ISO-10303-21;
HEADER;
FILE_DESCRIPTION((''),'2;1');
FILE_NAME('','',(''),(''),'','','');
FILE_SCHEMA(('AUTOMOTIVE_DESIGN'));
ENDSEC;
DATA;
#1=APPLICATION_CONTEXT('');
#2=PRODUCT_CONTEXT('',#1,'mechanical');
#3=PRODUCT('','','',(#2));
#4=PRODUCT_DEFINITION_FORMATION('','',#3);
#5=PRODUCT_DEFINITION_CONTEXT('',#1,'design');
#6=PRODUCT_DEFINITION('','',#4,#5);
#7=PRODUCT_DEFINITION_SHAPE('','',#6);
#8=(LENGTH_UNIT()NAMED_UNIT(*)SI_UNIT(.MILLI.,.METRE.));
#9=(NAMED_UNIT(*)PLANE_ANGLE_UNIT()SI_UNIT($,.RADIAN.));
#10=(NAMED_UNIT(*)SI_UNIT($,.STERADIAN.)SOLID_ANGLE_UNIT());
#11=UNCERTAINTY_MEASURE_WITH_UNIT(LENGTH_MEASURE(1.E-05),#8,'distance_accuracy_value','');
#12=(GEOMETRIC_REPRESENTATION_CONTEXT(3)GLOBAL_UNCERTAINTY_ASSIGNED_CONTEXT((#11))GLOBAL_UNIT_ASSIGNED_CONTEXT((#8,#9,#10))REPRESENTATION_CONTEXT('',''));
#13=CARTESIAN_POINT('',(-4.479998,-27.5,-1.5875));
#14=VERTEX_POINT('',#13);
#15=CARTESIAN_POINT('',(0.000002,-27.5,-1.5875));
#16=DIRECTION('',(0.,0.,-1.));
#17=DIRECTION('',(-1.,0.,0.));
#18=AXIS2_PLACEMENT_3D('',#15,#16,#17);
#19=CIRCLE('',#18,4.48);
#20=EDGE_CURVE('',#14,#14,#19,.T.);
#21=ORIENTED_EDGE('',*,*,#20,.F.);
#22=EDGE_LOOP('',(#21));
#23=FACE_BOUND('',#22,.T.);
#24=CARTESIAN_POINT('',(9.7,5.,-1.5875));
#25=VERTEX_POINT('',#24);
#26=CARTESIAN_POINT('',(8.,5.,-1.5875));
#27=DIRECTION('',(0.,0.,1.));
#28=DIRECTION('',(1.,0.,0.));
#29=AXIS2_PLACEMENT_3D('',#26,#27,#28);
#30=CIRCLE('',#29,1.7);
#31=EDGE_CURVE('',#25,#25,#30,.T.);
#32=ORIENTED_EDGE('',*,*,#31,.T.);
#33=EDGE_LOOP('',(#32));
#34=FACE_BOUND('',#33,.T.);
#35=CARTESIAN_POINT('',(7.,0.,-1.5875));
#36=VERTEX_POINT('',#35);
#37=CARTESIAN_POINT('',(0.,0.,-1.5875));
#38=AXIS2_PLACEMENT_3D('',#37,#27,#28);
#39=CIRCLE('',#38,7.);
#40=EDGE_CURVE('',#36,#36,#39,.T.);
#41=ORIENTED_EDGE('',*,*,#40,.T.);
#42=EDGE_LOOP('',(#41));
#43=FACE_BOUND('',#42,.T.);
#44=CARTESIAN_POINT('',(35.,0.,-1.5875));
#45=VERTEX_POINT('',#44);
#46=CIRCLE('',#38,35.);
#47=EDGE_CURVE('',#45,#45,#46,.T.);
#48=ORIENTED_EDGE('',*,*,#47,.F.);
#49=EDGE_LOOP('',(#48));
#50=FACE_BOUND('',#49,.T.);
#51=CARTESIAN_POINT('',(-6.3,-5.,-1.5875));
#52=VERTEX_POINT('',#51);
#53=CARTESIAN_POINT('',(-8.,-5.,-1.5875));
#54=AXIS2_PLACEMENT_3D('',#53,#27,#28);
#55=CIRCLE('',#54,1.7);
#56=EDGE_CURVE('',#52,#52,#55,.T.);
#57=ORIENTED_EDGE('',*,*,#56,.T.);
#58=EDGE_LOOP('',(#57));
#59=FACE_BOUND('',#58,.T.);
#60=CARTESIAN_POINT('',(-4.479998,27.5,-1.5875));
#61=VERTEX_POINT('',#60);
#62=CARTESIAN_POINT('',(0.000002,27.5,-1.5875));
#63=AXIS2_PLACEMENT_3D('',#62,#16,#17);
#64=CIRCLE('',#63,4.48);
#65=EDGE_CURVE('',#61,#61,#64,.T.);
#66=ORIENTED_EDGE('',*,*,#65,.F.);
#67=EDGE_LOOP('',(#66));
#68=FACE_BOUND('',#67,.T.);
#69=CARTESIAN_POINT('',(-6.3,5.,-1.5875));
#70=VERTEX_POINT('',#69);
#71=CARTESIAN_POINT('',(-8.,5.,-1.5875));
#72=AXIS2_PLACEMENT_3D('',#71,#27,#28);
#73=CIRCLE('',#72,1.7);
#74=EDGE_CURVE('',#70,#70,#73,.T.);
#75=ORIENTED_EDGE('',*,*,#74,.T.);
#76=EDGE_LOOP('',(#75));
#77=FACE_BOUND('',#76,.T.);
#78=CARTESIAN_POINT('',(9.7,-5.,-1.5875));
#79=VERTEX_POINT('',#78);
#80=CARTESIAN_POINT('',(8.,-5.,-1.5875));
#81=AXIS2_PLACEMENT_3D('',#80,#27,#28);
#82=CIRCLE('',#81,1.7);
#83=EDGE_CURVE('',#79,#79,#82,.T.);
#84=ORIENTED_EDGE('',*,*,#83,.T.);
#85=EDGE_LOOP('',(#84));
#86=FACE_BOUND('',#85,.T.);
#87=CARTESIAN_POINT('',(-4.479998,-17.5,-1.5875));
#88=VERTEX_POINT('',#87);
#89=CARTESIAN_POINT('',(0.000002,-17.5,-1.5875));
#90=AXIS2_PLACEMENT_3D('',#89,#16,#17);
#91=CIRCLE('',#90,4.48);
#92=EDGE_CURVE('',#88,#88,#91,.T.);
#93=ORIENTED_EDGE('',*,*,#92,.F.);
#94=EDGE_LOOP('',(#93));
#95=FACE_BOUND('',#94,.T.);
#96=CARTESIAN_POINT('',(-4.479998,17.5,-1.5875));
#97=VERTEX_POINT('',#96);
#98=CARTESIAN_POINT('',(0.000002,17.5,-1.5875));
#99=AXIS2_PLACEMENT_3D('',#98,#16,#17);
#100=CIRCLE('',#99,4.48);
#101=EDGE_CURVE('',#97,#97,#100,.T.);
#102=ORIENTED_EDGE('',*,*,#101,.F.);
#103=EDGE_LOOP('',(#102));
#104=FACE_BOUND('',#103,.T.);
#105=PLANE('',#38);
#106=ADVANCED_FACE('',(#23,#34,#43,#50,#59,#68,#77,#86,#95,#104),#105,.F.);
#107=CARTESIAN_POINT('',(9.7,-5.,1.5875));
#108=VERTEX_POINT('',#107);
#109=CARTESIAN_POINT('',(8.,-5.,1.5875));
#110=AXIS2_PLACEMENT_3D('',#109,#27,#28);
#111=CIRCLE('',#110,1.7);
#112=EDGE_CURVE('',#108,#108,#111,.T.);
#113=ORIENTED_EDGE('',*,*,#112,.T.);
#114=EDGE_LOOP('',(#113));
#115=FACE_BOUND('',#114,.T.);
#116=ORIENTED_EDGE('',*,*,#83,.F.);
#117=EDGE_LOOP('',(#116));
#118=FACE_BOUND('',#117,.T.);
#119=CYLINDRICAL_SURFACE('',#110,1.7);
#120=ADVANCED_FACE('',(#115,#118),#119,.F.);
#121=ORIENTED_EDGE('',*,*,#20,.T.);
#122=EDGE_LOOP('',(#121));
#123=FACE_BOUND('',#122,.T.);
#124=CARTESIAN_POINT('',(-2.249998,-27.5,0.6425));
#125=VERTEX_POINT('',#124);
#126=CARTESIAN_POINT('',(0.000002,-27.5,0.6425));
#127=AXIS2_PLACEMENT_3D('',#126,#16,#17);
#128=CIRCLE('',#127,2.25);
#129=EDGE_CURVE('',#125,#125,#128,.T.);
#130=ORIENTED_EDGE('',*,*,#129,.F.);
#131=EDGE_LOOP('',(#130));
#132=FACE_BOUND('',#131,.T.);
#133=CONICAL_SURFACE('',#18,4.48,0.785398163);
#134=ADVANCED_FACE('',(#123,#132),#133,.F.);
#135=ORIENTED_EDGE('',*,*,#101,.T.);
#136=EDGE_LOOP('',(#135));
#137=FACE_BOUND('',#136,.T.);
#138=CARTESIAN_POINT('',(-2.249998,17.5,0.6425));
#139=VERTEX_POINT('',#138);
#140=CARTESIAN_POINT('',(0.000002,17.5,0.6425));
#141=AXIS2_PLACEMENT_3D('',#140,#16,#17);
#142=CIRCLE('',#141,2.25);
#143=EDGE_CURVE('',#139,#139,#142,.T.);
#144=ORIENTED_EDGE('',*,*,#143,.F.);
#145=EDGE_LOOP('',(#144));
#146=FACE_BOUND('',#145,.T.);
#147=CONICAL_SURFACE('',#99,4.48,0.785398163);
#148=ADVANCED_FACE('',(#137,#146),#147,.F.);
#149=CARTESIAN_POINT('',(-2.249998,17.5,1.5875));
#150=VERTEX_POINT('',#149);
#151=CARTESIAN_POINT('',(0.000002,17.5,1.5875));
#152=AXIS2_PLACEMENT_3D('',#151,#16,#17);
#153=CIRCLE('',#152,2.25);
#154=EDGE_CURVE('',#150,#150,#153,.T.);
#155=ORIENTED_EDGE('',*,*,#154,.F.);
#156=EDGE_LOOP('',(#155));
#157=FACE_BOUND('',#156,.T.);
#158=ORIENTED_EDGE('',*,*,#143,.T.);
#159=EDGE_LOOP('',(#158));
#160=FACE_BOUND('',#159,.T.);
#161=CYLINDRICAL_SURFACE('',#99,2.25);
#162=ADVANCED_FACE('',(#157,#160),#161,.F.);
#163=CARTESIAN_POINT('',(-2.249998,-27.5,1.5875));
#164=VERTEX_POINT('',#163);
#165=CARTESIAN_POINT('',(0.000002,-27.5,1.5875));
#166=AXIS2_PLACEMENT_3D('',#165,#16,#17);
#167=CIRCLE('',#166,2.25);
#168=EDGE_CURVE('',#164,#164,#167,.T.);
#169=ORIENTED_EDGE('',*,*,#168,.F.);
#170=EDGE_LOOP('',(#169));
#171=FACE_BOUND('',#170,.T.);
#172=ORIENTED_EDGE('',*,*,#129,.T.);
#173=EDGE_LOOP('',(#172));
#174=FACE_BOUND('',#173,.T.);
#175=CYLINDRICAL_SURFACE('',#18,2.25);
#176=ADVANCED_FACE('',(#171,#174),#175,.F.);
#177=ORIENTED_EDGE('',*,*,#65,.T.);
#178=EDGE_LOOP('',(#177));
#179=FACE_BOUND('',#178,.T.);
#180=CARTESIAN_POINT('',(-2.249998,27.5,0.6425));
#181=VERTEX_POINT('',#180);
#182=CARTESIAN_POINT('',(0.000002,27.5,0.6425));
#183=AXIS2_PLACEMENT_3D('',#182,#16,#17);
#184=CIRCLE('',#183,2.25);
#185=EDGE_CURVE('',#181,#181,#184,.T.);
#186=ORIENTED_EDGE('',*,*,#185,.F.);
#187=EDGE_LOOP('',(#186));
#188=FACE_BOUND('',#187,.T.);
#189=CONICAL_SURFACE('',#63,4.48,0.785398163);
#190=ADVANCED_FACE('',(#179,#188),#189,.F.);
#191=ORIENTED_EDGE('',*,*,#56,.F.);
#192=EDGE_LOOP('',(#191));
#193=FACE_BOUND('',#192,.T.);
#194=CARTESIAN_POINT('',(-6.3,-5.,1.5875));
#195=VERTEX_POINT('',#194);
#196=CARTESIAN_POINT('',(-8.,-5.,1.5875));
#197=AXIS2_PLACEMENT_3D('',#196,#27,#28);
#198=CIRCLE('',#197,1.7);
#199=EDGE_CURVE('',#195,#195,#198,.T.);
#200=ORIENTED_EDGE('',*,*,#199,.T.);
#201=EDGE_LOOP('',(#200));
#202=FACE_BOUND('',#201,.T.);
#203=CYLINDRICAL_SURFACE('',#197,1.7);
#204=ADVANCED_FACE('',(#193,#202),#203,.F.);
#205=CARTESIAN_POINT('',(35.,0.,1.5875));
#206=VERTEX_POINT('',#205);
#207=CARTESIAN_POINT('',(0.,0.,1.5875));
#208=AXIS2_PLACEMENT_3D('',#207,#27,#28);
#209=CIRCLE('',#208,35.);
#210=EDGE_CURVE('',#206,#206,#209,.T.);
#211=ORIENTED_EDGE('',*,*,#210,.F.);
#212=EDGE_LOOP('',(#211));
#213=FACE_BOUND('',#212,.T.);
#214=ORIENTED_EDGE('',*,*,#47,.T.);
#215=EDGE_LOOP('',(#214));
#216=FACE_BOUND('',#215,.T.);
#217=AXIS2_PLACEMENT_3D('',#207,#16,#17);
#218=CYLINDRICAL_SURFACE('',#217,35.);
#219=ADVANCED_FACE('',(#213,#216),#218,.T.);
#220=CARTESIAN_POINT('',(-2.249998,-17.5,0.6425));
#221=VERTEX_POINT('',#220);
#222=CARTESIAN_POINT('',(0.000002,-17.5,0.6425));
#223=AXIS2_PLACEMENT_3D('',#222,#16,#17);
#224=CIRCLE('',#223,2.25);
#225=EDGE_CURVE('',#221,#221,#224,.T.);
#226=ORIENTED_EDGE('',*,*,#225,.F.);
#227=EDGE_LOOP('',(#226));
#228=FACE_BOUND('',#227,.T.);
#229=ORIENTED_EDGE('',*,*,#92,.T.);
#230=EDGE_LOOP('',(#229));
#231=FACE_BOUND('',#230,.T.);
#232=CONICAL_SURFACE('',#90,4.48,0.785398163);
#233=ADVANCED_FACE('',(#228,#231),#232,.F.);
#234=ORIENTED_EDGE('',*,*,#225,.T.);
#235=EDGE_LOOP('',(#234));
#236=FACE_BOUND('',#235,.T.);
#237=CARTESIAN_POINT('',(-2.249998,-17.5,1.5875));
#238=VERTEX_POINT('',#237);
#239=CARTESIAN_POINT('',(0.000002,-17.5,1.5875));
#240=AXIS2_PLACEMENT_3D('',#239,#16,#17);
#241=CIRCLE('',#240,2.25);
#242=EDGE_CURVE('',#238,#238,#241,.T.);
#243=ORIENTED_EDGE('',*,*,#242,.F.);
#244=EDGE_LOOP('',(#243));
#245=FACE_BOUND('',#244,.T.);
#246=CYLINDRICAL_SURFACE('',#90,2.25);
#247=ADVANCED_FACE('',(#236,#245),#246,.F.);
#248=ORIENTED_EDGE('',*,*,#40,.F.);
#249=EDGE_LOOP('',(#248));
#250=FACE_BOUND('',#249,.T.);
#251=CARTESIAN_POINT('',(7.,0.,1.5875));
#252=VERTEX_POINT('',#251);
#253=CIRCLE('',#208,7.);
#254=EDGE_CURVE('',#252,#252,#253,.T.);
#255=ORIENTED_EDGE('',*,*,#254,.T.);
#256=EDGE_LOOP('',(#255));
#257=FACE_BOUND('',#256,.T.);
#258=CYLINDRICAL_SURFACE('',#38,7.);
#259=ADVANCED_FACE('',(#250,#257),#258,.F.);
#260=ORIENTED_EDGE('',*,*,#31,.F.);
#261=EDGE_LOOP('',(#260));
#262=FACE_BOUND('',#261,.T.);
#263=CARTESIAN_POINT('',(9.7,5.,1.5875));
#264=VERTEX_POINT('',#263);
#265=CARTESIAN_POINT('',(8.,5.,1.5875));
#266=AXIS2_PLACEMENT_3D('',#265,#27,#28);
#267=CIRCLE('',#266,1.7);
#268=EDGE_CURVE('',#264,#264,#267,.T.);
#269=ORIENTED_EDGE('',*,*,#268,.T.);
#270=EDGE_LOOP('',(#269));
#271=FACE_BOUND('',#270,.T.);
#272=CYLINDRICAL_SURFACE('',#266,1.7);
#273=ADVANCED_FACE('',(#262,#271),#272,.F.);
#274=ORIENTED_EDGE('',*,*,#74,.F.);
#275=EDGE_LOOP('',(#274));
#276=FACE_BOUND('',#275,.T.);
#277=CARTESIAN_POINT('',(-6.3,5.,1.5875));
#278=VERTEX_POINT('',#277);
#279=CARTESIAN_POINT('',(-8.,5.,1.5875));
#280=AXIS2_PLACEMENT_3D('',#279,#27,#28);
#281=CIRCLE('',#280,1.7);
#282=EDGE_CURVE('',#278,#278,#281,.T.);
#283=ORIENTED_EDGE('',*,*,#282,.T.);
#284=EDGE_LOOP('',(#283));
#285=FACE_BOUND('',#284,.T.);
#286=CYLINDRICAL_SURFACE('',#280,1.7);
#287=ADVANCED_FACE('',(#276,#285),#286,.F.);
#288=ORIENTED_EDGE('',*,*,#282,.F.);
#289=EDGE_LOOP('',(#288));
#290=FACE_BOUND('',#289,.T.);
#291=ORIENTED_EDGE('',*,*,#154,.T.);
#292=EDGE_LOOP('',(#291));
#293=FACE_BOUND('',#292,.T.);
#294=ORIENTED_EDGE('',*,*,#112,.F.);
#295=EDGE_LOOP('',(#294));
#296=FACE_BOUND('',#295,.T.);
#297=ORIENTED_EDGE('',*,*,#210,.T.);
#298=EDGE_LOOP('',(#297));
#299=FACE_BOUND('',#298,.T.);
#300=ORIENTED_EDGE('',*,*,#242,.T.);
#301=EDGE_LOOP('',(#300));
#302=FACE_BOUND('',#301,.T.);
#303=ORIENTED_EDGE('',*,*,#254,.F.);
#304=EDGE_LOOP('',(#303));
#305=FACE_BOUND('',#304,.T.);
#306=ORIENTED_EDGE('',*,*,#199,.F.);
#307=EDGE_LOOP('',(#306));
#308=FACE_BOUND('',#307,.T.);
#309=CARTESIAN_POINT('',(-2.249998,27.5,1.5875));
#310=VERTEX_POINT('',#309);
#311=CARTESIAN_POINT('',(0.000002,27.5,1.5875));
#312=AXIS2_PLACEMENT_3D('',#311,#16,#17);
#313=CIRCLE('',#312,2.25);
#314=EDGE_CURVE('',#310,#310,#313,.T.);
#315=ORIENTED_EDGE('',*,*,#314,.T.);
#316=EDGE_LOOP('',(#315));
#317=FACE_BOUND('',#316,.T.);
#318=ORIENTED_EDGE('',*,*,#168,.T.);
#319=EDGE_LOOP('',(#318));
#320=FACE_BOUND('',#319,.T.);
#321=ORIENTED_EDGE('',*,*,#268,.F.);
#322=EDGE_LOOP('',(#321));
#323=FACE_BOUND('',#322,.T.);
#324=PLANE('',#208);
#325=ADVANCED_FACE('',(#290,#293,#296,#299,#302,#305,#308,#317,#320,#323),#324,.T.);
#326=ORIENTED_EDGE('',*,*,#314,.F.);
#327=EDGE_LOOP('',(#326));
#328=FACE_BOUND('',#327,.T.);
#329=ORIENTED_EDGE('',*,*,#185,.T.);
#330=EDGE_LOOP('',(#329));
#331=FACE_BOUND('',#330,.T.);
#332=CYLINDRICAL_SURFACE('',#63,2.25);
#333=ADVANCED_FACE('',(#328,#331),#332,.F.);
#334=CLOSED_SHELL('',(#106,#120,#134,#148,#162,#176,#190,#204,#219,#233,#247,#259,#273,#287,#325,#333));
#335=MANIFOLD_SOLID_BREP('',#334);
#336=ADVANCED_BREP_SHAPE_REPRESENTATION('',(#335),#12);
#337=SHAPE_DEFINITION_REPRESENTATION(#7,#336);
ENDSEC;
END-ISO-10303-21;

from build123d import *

# Parameters (mm, degrees)
SKETCH2_R                    = 35
BOSS_EXTRUDE1_DEPTH          = 1.5875
SKETCH3_R                    = 7
CUT_EXTRUDE1_DEPTH           = 4.175
M3_CLEARANCE_HOLE1_D         = 3.4
CSK_FOR_M4_SFHCS1_AT_2_COUNT = 2
CSK_FOR_M4_SFHCS1_AT_2_PITCH = 10
CSK_FOR_M4_SFHCS1_AT_3_COUNT = 2
CSK_FOR_M4_SFHCS1_AT_3_PITCH = 45
CSK_FOR_M4_SFHCS1_AT_4_COUNT = 2
CSK_FOR_M4_SFHCS1_AT_4_PITCH = 55


with BuildPart() as part:
    # Sketch2 → Boss-Extrude1 (new body, symmetric)
    with BuildSketch(Plane.XY):
        Circle(SKETCH2_R)
    extrude(amount=BOSS_EXTRUDE1_DEPTH, both=True)

    # Sketch3 → Cut-Extrude1 (cut, through all)
    with BuildSketch(Plane.XY.offset(1.5875)):
        Circle(SKETCH3_R)
    extrude(amount=-CUT_EXTRUDE1_DEPTH, mode=Mode.SUBTRACT)

    # M3 Clearance Hole1 (through all)
    with Locations(Plane.XY.offset(1.5875)):
        with Locations((8, 5), (8, -5), (-8, 5), (-8, -5)):
            Hole(M3_CLEARANCE_HOLE1_D / 2)

    # Sketch8 → CSK for M4 SFHCS1 (revolve, cut)
    with BuildSketch(Plane(origin=(2.358e-06, 27.5, -1.5875), x_dir=(0, 1, 0), z_dir=(1, 0, 0))):
        Polygon((0, 0), (0, 3.175), (2.25, 3.175), (2.25, 2.23), (4.48, 0), align=None)
    csk_for_m4_sfhcs1 = revolve(axis=Axis((2.358e-06, 27.5, -7.9375), (0, 0, 1)), mode=Mode.SUBTRACT)

    # CSK for M4 SFHCS1 at 2: CSK for M4 SFHCS1 ×2
    with Locations(*[(0, -i * CSK_FOR_M4_SFHCS1_AT_2_PITCH, 0) for i in range(1, CSK_FOR_M4_SFHCS1_AT_2_COUNT)]):
        add(csk_for_m4_sfhcs1, mode=Mode.SUBTRACT)

    # CSK for M4 SFHCS1 at 3: CSK for M4 SFHCS1 ×2
    with Locations(*[(0, -i * CSK_FOR_M4_SFHCS1_AT_3_PITCH, 0) for i in range(1, CSK_FOR_M4_SFHCS1_AT_3_COUNT)]):
        add(csk_for_m4_sfhcs1, mode=Mode.SUBTRACT)

    # CSK for M4 SFHCS1 at 4: CSK for M4 SFHCS1 ×2
    with Locations(*[(0, -i * CSK_FOR_M4_SFHCS1_AT_4_PITCH, 0) for i in range(1, CSK_FOR_M4_SFHCS1_AT_4_COUNT)]):
        add(csk_for_m4_sfhcs1, mode=Mode.SUBTRACT)


solid = part.part
